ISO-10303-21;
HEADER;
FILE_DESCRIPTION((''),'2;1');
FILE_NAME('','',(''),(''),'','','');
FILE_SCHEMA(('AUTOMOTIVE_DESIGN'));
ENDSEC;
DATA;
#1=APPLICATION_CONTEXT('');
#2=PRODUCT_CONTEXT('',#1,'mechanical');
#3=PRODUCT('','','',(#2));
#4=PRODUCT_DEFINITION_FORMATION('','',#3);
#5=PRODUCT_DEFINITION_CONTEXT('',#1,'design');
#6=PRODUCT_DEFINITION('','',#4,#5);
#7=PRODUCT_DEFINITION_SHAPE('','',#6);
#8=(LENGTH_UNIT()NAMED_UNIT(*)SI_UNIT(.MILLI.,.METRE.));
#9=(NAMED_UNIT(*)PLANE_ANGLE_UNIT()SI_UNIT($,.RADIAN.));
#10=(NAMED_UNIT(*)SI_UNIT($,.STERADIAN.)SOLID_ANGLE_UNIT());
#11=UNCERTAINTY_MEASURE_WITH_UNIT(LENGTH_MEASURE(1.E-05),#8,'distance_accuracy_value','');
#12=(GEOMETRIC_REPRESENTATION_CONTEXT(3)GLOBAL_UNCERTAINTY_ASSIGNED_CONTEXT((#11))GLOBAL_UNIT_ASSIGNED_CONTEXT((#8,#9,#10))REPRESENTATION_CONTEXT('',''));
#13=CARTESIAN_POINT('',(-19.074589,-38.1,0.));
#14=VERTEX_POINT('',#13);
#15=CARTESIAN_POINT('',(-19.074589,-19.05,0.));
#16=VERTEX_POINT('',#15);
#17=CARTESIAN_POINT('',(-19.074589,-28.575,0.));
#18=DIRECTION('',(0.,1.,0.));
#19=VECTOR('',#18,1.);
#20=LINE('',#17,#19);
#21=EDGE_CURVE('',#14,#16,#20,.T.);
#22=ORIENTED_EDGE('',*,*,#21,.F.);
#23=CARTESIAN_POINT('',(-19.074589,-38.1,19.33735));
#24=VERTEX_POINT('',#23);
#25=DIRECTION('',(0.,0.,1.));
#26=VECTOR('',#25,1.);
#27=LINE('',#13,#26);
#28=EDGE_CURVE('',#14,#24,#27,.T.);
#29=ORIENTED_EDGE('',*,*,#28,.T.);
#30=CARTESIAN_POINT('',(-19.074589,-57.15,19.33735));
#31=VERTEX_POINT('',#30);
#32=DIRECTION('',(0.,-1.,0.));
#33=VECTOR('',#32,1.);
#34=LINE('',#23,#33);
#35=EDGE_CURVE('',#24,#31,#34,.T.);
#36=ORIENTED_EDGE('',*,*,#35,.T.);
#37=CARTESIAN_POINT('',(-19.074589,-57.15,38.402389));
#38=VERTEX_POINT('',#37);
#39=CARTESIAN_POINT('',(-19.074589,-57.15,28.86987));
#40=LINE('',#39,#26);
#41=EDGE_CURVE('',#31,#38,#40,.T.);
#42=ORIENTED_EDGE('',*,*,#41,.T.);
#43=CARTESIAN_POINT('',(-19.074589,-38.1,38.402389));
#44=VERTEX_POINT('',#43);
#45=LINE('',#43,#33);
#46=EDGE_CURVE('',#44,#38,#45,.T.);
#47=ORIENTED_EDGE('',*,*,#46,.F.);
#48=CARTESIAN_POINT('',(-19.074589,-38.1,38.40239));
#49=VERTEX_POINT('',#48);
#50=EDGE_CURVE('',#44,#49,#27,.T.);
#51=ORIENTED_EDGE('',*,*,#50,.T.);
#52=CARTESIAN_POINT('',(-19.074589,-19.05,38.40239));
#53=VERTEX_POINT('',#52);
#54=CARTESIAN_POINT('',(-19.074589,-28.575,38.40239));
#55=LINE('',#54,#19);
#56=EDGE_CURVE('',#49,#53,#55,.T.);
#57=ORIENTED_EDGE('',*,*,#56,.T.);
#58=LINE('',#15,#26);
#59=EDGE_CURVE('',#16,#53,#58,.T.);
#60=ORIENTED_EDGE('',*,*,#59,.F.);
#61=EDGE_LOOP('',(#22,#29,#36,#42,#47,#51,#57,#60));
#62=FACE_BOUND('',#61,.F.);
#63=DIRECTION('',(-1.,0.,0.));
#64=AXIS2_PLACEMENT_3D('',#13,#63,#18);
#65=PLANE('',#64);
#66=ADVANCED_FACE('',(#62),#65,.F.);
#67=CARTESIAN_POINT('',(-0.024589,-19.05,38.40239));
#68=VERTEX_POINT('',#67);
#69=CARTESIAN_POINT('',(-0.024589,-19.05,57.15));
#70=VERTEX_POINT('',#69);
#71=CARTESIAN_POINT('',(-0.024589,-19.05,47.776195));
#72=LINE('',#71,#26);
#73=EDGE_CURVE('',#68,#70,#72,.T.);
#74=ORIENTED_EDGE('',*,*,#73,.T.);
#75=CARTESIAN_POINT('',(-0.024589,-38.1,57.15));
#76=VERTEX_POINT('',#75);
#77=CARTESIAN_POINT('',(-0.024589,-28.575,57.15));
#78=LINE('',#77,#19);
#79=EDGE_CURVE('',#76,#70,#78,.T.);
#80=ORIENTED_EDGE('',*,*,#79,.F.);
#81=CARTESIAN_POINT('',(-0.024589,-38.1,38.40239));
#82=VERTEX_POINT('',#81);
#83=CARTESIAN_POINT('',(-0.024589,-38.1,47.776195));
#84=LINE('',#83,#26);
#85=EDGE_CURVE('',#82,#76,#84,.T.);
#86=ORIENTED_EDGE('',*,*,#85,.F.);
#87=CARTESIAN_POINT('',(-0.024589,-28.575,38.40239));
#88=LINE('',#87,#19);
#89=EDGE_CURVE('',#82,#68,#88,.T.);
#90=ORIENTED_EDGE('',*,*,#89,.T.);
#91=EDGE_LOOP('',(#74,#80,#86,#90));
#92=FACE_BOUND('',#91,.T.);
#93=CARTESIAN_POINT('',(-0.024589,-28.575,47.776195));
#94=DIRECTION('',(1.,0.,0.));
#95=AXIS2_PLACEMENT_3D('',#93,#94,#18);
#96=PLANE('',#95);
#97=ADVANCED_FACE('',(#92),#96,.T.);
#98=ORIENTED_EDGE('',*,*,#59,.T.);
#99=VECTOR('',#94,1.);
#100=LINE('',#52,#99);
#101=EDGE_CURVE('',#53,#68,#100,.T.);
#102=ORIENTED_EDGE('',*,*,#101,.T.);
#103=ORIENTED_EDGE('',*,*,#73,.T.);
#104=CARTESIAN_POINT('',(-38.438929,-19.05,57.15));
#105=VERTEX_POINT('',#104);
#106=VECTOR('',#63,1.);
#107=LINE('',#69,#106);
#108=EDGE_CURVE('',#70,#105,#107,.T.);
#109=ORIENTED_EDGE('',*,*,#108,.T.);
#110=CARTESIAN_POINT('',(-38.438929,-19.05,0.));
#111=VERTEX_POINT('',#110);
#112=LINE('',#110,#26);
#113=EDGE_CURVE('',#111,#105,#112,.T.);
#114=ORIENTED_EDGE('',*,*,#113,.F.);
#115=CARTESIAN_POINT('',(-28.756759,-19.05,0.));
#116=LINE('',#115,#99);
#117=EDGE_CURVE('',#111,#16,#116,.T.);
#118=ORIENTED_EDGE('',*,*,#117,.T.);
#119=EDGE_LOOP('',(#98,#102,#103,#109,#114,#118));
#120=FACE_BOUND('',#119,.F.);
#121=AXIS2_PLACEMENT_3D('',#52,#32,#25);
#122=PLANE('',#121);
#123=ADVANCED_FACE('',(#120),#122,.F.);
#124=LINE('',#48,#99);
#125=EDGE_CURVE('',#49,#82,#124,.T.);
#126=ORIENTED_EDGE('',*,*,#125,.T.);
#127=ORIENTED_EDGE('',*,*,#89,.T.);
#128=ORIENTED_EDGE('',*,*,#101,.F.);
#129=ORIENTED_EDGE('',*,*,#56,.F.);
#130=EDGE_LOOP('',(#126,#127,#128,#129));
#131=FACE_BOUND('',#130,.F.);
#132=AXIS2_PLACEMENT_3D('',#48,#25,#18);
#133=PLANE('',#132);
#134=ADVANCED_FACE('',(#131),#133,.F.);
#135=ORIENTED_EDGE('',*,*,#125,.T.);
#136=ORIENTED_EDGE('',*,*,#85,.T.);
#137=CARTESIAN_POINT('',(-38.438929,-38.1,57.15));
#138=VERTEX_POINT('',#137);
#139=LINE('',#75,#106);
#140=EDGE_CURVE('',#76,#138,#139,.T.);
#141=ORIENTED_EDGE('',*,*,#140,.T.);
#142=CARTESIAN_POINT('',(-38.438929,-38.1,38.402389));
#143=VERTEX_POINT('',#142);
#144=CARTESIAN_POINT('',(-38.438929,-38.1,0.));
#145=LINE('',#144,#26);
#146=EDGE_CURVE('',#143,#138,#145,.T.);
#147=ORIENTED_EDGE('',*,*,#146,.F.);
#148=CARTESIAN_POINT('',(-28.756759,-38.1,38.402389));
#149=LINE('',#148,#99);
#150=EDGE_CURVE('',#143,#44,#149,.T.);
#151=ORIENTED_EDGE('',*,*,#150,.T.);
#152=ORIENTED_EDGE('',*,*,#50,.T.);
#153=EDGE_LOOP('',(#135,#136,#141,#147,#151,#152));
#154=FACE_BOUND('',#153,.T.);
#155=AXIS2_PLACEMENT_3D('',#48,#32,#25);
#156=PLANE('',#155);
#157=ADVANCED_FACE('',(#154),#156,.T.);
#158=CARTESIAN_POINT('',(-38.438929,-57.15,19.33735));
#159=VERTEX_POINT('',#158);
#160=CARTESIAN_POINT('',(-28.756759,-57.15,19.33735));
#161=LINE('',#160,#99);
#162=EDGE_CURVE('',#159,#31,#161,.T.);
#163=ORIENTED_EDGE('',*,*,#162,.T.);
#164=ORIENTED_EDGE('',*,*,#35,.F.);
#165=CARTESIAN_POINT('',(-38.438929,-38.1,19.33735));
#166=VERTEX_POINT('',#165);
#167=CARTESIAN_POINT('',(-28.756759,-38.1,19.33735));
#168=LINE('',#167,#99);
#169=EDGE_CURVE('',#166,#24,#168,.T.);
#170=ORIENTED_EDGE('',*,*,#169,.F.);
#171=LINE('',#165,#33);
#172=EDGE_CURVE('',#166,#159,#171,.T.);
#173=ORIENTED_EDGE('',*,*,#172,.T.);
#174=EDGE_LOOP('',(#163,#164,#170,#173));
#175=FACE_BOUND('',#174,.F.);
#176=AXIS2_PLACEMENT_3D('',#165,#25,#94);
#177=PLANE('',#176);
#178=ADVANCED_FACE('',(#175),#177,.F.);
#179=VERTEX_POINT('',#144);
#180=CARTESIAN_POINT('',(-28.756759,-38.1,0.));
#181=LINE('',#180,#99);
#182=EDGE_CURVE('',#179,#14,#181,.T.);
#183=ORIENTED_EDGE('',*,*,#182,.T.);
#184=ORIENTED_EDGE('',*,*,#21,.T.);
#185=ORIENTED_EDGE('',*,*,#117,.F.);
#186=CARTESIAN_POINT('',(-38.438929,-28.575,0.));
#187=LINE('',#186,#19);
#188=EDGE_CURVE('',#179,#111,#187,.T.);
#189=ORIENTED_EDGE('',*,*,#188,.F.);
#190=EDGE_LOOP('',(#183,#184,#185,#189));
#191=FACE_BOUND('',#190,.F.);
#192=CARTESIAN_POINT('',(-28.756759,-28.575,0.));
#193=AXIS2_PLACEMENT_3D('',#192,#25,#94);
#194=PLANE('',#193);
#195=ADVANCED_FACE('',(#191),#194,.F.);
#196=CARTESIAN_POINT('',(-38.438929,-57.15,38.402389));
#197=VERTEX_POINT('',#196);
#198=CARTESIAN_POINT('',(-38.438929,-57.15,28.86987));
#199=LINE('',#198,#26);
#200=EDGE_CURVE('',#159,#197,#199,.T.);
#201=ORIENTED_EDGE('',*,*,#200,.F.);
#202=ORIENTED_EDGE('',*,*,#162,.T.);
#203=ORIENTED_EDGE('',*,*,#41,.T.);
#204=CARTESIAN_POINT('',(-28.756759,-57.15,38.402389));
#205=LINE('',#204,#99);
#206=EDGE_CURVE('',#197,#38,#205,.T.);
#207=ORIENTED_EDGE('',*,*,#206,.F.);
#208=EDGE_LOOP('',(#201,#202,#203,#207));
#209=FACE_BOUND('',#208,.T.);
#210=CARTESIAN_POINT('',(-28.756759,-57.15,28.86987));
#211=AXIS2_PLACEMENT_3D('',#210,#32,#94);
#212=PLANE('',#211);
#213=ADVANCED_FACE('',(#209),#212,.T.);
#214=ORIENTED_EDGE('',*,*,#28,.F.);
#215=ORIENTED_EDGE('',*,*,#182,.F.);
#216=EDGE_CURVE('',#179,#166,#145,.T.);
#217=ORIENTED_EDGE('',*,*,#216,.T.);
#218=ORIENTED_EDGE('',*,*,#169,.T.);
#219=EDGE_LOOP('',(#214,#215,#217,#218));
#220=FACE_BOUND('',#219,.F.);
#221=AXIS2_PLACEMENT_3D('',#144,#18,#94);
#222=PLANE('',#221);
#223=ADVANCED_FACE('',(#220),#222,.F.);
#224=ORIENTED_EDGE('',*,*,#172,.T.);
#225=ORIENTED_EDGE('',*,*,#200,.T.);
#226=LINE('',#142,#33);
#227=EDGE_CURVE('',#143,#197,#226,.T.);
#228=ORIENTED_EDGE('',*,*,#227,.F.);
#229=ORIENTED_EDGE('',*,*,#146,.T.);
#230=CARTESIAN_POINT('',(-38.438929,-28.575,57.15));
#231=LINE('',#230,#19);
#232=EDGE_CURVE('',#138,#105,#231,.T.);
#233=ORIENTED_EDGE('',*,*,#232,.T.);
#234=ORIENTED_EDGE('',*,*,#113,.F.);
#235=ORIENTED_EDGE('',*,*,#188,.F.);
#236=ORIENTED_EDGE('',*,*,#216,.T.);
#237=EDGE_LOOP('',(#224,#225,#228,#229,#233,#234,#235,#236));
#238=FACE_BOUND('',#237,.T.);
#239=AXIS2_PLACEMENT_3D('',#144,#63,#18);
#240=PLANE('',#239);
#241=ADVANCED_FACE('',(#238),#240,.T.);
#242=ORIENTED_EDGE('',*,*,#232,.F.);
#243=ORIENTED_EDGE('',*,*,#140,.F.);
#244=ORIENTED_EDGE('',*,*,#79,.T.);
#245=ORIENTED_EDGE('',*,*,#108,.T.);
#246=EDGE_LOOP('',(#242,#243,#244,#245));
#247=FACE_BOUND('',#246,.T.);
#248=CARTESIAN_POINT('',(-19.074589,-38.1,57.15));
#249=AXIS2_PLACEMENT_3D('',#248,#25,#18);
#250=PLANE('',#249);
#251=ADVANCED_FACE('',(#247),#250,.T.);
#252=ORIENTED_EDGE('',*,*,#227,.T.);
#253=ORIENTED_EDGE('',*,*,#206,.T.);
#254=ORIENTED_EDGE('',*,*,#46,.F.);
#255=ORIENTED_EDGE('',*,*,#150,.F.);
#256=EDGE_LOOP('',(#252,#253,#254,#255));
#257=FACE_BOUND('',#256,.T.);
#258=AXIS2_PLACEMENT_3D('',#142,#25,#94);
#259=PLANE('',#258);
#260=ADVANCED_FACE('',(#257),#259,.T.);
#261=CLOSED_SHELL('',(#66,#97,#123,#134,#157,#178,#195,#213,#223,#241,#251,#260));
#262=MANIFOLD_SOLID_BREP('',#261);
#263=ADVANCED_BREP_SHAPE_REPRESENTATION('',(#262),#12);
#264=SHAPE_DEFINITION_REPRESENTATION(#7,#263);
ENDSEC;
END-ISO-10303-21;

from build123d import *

# Parameters (mm, degrees)
F0_W     = 19.36434
F0_H     = 19.05
F1_DEPTH = 57.15
F2_W     = 19.36434
F2_H     = 19.065039
F3_DEPTH = 19.05
F4_W     = 19.05
F4_H     = 18.74761
F5_DEPTH = 19.05


with BuildPart() as f1:
    # F0 (on Top) → F1 (new body)
    with BuildSketch(Plane.XY):
        with Locations((-28.756759, -28.575)):
            Rectangle(F0_W, F0_H)
    extrude(amount=F1_DEPTH)

    # F2 (on face) → F3 (join)
    with BuildSketch(Plane.XZ.offset(38.1)):
        with Locations((-28.756759, 28.86987)):
            Rectangle(F2_W, F2_H)
    extrude(amount=F3_DEPTH)

    # F4 (on face) → F5 (join)
    with BuildSketch(Plane.YZ.offset(-19.074589)):
        with Locations((-28.575, 47.776195)):
            Rectangle(F4_W, F4_H)
    extrude(amount=F5_DEPTH)


solid = f1.part
